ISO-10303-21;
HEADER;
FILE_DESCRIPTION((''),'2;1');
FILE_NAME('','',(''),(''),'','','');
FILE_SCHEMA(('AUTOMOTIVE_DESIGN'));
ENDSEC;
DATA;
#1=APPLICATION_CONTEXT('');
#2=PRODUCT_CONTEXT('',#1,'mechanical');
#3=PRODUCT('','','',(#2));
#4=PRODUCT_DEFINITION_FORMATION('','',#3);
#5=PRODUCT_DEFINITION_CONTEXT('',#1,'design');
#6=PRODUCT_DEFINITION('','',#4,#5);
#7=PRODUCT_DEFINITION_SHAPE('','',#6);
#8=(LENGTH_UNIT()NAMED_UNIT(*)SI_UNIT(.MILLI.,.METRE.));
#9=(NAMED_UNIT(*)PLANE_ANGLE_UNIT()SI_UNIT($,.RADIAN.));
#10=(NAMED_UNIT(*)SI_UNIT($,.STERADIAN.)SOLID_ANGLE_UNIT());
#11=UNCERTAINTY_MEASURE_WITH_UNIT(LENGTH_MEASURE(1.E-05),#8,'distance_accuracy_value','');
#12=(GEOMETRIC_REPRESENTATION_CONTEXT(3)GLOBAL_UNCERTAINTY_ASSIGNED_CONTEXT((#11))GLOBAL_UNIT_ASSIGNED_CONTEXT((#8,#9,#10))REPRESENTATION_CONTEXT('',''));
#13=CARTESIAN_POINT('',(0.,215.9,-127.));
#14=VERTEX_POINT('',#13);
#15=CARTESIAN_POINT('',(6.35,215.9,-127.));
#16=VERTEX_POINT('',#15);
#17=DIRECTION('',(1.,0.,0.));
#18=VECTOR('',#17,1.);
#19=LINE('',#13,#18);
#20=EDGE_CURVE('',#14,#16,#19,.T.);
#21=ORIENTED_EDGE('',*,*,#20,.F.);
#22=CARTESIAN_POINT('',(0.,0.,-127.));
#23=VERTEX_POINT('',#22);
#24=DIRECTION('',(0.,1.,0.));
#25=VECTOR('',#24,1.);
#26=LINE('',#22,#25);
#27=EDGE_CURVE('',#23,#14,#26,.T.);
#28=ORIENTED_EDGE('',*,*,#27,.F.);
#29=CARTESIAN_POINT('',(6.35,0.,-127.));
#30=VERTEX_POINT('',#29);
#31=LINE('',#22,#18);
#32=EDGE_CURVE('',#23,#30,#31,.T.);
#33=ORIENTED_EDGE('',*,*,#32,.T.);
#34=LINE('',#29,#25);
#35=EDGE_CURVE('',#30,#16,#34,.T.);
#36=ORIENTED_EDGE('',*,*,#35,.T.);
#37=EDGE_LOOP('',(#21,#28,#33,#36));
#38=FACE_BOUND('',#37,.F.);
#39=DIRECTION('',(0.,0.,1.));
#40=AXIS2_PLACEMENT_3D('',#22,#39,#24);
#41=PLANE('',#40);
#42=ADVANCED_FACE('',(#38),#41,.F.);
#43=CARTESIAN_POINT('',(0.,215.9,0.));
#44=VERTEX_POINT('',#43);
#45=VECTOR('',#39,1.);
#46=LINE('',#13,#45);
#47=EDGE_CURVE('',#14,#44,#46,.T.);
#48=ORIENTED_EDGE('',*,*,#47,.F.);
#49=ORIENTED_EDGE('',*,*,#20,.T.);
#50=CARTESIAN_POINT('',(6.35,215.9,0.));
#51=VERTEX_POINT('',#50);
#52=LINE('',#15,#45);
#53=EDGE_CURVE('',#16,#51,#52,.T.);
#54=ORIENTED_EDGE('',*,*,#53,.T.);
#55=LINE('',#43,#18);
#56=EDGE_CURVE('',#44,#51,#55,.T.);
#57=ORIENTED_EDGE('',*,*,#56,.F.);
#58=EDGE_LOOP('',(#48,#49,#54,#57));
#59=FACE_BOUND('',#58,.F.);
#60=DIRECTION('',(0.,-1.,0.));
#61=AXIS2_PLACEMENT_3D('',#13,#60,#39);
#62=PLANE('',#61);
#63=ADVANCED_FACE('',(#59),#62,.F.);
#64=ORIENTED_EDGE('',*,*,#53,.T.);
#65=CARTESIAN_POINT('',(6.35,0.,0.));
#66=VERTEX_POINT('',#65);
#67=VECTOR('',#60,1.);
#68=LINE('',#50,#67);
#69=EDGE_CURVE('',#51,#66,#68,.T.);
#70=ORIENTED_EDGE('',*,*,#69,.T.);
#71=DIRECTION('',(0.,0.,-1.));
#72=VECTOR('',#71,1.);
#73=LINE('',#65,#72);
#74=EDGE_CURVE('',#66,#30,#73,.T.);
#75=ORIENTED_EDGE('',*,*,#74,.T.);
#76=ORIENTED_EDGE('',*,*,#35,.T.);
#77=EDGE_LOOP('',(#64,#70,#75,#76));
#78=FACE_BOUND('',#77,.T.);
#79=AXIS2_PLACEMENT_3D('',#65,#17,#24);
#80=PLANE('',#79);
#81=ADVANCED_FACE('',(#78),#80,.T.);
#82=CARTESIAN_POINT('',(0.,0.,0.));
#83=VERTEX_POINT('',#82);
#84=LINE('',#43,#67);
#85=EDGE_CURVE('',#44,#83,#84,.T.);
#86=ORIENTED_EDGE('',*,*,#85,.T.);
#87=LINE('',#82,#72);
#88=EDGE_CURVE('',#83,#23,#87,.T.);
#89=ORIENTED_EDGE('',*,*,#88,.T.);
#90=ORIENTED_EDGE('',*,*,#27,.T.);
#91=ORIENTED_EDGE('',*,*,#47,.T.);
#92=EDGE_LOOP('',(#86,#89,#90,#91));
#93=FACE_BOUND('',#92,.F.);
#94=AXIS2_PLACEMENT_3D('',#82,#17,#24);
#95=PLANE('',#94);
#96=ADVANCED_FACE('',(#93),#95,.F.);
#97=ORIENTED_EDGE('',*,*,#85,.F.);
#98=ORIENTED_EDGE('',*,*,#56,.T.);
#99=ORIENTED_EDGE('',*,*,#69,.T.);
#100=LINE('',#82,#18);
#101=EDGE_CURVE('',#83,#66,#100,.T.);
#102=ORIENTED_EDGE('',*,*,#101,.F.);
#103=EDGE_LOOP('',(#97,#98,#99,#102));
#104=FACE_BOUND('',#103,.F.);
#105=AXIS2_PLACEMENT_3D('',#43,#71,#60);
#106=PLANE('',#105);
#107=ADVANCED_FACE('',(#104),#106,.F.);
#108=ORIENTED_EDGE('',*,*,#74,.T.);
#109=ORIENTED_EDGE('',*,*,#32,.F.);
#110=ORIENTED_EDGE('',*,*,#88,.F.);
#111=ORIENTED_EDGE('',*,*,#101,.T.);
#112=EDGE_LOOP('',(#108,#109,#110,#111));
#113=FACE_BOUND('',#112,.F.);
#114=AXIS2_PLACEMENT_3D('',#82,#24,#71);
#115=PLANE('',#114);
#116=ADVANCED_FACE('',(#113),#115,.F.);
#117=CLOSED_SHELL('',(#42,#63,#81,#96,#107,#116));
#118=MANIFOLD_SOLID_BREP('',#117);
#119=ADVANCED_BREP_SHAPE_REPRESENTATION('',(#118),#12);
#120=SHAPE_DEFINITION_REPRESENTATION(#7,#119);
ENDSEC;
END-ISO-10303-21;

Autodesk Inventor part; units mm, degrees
ref_plane "YZ Plane" through (0, 0, 0) normal (1, 0, 0) x (0, 1, 0)
ref_plane "XZ Plane" through (0, 0, 0) normal (0, 1, 0) x (-1, 0, 0)
ref_plane "XY Plane" through (0, 0, 0) normal (0, 0, 1) x (1, 0, 0)
sketch "Sketch1" plane through (0, 0, 0) normal (1, 0, 0) x (0, 1, 0)
  line L0 (0, 0) -> (0, -127)
  line L1 (0, -127) -> (215.9, -127)
  line L2 (215.9, -127) -> (215.9, 0)
  line L3 (215.9, 0) -> (0, 0)
  dimension "d0" = 127
  dimension "d1" = 215.9
extrude "Extrusion1" add sketch "Sketch1" along normal blind 6.35
properties part number "electronics wall right side"
